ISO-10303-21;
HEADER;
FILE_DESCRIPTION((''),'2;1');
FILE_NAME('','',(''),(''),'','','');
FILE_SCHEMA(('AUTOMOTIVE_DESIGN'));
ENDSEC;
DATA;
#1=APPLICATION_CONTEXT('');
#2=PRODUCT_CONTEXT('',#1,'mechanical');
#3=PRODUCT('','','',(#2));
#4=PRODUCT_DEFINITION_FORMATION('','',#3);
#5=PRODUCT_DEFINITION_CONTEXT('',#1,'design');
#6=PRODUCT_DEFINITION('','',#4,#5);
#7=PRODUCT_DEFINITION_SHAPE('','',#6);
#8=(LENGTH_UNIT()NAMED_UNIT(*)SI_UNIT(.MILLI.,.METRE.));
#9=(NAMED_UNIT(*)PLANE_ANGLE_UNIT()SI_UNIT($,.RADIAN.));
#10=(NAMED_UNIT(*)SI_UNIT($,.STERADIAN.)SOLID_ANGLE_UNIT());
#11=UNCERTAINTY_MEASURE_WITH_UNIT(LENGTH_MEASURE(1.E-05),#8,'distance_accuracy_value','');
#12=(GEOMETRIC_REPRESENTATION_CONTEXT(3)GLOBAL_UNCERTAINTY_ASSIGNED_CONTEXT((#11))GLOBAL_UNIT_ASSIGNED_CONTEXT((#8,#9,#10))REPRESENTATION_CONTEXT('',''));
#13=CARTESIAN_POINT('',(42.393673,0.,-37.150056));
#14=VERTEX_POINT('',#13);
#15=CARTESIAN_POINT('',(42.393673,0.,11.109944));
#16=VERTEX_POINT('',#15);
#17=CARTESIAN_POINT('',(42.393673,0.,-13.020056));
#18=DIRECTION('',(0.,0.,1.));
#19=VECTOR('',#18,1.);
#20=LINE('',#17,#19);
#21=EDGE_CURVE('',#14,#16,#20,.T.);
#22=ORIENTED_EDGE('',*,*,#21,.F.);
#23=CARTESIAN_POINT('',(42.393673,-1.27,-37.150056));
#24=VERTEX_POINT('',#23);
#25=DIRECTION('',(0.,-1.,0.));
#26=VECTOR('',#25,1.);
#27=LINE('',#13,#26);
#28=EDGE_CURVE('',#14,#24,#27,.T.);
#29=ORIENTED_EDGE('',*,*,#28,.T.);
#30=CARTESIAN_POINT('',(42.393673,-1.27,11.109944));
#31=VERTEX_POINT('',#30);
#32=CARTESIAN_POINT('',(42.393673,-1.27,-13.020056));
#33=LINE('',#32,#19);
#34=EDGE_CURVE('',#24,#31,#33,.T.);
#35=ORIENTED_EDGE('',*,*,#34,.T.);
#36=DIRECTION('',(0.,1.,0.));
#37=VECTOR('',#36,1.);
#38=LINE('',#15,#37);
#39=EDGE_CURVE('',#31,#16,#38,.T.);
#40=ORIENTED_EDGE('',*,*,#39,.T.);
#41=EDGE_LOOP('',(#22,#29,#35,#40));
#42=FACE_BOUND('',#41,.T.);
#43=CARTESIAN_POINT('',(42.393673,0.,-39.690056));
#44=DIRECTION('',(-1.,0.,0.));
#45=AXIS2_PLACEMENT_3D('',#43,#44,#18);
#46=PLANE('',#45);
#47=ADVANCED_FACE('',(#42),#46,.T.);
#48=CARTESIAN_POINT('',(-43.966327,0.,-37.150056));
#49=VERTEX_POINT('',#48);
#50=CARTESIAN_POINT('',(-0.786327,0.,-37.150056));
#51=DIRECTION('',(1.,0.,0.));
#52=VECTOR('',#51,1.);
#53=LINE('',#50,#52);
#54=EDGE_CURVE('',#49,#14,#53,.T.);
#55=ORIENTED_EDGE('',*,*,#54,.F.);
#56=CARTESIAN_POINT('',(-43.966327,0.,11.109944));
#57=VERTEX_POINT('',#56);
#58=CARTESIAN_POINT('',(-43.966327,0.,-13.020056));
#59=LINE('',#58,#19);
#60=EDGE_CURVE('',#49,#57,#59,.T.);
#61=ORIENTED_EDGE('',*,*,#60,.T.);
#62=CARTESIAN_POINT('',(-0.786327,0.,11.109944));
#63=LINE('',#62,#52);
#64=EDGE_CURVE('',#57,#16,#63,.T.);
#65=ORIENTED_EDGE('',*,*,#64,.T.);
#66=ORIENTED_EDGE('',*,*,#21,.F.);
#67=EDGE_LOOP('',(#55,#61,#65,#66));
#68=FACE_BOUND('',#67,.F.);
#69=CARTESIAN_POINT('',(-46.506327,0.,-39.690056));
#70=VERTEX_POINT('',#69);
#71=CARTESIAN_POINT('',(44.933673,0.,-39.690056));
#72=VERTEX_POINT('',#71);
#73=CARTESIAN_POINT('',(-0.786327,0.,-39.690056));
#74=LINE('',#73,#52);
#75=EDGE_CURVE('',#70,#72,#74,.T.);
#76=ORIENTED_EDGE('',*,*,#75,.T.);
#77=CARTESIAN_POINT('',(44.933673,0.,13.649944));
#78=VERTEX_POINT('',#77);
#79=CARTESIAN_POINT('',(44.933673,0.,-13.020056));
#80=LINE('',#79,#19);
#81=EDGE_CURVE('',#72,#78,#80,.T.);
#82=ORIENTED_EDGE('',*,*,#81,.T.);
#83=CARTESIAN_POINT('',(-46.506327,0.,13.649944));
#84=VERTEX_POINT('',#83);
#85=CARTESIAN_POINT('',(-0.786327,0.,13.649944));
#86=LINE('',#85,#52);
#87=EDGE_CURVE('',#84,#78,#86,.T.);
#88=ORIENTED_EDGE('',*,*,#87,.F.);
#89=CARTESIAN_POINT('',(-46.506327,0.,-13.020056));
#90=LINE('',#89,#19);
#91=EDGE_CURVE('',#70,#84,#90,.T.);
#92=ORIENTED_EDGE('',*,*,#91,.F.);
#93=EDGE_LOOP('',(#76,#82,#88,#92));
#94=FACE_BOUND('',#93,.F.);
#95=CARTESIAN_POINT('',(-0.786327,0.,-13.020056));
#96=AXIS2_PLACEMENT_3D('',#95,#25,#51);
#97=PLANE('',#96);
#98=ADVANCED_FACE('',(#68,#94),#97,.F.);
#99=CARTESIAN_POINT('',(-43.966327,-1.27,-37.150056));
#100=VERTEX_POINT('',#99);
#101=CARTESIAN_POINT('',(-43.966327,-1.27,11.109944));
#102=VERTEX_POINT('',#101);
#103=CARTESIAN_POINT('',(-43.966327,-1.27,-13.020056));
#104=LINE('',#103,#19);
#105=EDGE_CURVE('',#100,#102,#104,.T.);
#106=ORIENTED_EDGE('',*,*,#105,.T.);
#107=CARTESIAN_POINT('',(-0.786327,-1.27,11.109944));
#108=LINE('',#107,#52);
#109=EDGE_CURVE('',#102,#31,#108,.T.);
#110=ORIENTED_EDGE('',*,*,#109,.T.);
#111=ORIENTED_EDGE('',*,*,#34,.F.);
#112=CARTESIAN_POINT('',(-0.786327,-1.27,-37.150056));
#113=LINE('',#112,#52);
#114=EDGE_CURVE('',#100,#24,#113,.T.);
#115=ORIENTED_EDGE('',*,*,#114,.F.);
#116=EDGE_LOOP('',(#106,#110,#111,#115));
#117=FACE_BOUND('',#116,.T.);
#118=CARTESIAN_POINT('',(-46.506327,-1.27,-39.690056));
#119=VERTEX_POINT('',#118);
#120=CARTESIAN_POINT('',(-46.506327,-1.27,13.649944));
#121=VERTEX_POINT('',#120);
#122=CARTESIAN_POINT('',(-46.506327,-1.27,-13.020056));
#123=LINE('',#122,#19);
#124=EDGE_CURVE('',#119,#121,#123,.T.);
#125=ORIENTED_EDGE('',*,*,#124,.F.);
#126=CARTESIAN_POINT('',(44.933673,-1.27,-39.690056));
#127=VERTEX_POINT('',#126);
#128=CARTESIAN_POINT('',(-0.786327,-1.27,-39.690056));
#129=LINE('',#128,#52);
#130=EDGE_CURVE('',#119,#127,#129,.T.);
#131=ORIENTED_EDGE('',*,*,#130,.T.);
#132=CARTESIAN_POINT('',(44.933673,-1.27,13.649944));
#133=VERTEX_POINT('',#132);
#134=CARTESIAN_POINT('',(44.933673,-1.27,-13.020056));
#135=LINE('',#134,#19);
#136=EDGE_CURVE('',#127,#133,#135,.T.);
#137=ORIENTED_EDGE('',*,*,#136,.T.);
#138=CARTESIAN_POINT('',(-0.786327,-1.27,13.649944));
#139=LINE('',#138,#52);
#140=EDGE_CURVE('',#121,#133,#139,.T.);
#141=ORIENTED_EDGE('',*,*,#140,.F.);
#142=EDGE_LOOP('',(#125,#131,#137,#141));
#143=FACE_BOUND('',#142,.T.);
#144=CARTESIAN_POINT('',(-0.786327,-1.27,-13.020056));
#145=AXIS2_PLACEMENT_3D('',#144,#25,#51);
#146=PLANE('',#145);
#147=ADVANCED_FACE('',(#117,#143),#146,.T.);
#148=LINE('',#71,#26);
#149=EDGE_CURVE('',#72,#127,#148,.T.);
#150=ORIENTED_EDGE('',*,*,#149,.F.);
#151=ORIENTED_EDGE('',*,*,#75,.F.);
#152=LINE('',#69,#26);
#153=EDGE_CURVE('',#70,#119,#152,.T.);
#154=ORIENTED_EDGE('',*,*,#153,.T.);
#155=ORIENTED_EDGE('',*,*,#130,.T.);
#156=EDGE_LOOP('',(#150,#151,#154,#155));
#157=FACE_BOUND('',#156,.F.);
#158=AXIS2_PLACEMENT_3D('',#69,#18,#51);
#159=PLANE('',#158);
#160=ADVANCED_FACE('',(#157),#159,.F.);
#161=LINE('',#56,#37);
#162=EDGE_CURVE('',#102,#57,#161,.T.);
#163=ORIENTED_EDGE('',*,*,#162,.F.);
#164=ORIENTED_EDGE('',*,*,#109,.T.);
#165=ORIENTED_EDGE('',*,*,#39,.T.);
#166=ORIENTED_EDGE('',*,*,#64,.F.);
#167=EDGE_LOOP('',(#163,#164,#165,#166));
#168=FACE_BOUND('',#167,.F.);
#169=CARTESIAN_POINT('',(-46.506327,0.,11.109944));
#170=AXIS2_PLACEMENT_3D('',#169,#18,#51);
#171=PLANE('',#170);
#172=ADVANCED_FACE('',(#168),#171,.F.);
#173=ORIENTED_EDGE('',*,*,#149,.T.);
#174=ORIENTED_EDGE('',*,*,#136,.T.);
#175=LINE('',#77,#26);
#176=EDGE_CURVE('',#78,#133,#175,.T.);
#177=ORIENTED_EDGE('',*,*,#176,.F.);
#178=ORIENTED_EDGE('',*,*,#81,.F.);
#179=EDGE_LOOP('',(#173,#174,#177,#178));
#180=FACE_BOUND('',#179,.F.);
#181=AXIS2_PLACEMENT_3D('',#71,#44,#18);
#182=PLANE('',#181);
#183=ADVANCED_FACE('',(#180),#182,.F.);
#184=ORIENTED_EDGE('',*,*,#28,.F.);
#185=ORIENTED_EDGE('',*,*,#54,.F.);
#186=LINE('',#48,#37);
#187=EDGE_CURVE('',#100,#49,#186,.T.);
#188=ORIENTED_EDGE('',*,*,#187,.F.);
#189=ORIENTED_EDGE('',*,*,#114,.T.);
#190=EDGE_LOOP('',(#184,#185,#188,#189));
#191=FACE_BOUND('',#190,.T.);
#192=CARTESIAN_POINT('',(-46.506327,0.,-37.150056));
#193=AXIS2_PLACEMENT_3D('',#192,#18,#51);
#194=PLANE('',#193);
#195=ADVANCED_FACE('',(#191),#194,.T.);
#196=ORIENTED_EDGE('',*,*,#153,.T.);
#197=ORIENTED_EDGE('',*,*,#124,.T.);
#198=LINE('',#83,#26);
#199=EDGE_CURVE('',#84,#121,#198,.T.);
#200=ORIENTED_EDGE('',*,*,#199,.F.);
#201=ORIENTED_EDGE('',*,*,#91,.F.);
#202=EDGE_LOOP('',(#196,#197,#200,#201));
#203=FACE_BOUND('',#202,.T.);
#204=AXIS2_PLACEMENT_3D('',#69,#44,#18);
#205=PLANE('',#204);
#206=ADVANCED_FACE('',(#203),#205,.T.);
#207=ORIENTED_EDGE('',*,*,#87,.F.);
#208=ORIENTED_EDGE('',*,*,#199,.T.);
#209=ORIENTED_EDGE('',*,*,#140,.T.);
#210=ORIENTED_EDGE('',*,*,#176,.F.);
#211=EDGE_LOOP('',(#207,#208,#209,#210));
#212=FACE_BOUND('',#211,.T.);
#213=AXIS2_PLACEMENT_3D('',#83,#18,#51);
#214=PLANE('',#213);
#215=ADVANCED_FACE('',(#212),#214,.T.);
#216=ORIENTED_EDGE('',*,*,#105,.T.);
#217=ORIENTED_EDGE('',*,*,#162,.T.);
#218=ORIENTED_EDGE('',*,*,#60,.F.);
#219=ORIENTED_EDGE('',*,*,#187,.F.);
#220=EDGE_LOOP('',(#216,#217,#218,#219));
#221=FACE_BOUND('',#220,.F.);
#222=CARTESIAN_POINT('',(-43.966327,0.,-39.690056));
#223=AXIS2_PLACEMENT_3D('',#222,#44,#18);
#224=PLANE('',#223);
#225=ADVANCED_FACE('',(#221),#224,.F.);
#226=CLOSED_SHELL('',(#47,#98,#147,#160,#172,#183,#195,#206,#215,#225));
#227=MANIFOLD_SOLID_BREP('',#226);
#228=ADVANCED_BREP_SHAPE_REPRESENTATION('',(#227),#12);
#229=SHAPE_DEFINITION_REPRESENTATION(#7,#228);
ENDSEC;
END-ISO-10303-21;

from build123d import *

# Parameters (mm, degrees)
F0_W     = 91.44
F0_H     = 53.34
F1_DEPTH = 1.27
F2_T     = -2.54


with BuildPart() as f1:
    # F0 (on Front) → F1 (new body)
    with BuildSketch(Plane.XZ):
        with Locations((-0.786327, -13.020056)):
            Rectangle(F0_W, F0_H)
    extrude(amount=F1_DEPTH)

    # F2
    f2_openings = [f1.faces().sort_by_distance(p)[0] for p in [
        (-0.786327, -1.27, -13.020056),
        (-0.786327, 0, -13.020056),
    ]]
    offset(amount=F2_T, openings=f2_openings)


solid = f1.part
